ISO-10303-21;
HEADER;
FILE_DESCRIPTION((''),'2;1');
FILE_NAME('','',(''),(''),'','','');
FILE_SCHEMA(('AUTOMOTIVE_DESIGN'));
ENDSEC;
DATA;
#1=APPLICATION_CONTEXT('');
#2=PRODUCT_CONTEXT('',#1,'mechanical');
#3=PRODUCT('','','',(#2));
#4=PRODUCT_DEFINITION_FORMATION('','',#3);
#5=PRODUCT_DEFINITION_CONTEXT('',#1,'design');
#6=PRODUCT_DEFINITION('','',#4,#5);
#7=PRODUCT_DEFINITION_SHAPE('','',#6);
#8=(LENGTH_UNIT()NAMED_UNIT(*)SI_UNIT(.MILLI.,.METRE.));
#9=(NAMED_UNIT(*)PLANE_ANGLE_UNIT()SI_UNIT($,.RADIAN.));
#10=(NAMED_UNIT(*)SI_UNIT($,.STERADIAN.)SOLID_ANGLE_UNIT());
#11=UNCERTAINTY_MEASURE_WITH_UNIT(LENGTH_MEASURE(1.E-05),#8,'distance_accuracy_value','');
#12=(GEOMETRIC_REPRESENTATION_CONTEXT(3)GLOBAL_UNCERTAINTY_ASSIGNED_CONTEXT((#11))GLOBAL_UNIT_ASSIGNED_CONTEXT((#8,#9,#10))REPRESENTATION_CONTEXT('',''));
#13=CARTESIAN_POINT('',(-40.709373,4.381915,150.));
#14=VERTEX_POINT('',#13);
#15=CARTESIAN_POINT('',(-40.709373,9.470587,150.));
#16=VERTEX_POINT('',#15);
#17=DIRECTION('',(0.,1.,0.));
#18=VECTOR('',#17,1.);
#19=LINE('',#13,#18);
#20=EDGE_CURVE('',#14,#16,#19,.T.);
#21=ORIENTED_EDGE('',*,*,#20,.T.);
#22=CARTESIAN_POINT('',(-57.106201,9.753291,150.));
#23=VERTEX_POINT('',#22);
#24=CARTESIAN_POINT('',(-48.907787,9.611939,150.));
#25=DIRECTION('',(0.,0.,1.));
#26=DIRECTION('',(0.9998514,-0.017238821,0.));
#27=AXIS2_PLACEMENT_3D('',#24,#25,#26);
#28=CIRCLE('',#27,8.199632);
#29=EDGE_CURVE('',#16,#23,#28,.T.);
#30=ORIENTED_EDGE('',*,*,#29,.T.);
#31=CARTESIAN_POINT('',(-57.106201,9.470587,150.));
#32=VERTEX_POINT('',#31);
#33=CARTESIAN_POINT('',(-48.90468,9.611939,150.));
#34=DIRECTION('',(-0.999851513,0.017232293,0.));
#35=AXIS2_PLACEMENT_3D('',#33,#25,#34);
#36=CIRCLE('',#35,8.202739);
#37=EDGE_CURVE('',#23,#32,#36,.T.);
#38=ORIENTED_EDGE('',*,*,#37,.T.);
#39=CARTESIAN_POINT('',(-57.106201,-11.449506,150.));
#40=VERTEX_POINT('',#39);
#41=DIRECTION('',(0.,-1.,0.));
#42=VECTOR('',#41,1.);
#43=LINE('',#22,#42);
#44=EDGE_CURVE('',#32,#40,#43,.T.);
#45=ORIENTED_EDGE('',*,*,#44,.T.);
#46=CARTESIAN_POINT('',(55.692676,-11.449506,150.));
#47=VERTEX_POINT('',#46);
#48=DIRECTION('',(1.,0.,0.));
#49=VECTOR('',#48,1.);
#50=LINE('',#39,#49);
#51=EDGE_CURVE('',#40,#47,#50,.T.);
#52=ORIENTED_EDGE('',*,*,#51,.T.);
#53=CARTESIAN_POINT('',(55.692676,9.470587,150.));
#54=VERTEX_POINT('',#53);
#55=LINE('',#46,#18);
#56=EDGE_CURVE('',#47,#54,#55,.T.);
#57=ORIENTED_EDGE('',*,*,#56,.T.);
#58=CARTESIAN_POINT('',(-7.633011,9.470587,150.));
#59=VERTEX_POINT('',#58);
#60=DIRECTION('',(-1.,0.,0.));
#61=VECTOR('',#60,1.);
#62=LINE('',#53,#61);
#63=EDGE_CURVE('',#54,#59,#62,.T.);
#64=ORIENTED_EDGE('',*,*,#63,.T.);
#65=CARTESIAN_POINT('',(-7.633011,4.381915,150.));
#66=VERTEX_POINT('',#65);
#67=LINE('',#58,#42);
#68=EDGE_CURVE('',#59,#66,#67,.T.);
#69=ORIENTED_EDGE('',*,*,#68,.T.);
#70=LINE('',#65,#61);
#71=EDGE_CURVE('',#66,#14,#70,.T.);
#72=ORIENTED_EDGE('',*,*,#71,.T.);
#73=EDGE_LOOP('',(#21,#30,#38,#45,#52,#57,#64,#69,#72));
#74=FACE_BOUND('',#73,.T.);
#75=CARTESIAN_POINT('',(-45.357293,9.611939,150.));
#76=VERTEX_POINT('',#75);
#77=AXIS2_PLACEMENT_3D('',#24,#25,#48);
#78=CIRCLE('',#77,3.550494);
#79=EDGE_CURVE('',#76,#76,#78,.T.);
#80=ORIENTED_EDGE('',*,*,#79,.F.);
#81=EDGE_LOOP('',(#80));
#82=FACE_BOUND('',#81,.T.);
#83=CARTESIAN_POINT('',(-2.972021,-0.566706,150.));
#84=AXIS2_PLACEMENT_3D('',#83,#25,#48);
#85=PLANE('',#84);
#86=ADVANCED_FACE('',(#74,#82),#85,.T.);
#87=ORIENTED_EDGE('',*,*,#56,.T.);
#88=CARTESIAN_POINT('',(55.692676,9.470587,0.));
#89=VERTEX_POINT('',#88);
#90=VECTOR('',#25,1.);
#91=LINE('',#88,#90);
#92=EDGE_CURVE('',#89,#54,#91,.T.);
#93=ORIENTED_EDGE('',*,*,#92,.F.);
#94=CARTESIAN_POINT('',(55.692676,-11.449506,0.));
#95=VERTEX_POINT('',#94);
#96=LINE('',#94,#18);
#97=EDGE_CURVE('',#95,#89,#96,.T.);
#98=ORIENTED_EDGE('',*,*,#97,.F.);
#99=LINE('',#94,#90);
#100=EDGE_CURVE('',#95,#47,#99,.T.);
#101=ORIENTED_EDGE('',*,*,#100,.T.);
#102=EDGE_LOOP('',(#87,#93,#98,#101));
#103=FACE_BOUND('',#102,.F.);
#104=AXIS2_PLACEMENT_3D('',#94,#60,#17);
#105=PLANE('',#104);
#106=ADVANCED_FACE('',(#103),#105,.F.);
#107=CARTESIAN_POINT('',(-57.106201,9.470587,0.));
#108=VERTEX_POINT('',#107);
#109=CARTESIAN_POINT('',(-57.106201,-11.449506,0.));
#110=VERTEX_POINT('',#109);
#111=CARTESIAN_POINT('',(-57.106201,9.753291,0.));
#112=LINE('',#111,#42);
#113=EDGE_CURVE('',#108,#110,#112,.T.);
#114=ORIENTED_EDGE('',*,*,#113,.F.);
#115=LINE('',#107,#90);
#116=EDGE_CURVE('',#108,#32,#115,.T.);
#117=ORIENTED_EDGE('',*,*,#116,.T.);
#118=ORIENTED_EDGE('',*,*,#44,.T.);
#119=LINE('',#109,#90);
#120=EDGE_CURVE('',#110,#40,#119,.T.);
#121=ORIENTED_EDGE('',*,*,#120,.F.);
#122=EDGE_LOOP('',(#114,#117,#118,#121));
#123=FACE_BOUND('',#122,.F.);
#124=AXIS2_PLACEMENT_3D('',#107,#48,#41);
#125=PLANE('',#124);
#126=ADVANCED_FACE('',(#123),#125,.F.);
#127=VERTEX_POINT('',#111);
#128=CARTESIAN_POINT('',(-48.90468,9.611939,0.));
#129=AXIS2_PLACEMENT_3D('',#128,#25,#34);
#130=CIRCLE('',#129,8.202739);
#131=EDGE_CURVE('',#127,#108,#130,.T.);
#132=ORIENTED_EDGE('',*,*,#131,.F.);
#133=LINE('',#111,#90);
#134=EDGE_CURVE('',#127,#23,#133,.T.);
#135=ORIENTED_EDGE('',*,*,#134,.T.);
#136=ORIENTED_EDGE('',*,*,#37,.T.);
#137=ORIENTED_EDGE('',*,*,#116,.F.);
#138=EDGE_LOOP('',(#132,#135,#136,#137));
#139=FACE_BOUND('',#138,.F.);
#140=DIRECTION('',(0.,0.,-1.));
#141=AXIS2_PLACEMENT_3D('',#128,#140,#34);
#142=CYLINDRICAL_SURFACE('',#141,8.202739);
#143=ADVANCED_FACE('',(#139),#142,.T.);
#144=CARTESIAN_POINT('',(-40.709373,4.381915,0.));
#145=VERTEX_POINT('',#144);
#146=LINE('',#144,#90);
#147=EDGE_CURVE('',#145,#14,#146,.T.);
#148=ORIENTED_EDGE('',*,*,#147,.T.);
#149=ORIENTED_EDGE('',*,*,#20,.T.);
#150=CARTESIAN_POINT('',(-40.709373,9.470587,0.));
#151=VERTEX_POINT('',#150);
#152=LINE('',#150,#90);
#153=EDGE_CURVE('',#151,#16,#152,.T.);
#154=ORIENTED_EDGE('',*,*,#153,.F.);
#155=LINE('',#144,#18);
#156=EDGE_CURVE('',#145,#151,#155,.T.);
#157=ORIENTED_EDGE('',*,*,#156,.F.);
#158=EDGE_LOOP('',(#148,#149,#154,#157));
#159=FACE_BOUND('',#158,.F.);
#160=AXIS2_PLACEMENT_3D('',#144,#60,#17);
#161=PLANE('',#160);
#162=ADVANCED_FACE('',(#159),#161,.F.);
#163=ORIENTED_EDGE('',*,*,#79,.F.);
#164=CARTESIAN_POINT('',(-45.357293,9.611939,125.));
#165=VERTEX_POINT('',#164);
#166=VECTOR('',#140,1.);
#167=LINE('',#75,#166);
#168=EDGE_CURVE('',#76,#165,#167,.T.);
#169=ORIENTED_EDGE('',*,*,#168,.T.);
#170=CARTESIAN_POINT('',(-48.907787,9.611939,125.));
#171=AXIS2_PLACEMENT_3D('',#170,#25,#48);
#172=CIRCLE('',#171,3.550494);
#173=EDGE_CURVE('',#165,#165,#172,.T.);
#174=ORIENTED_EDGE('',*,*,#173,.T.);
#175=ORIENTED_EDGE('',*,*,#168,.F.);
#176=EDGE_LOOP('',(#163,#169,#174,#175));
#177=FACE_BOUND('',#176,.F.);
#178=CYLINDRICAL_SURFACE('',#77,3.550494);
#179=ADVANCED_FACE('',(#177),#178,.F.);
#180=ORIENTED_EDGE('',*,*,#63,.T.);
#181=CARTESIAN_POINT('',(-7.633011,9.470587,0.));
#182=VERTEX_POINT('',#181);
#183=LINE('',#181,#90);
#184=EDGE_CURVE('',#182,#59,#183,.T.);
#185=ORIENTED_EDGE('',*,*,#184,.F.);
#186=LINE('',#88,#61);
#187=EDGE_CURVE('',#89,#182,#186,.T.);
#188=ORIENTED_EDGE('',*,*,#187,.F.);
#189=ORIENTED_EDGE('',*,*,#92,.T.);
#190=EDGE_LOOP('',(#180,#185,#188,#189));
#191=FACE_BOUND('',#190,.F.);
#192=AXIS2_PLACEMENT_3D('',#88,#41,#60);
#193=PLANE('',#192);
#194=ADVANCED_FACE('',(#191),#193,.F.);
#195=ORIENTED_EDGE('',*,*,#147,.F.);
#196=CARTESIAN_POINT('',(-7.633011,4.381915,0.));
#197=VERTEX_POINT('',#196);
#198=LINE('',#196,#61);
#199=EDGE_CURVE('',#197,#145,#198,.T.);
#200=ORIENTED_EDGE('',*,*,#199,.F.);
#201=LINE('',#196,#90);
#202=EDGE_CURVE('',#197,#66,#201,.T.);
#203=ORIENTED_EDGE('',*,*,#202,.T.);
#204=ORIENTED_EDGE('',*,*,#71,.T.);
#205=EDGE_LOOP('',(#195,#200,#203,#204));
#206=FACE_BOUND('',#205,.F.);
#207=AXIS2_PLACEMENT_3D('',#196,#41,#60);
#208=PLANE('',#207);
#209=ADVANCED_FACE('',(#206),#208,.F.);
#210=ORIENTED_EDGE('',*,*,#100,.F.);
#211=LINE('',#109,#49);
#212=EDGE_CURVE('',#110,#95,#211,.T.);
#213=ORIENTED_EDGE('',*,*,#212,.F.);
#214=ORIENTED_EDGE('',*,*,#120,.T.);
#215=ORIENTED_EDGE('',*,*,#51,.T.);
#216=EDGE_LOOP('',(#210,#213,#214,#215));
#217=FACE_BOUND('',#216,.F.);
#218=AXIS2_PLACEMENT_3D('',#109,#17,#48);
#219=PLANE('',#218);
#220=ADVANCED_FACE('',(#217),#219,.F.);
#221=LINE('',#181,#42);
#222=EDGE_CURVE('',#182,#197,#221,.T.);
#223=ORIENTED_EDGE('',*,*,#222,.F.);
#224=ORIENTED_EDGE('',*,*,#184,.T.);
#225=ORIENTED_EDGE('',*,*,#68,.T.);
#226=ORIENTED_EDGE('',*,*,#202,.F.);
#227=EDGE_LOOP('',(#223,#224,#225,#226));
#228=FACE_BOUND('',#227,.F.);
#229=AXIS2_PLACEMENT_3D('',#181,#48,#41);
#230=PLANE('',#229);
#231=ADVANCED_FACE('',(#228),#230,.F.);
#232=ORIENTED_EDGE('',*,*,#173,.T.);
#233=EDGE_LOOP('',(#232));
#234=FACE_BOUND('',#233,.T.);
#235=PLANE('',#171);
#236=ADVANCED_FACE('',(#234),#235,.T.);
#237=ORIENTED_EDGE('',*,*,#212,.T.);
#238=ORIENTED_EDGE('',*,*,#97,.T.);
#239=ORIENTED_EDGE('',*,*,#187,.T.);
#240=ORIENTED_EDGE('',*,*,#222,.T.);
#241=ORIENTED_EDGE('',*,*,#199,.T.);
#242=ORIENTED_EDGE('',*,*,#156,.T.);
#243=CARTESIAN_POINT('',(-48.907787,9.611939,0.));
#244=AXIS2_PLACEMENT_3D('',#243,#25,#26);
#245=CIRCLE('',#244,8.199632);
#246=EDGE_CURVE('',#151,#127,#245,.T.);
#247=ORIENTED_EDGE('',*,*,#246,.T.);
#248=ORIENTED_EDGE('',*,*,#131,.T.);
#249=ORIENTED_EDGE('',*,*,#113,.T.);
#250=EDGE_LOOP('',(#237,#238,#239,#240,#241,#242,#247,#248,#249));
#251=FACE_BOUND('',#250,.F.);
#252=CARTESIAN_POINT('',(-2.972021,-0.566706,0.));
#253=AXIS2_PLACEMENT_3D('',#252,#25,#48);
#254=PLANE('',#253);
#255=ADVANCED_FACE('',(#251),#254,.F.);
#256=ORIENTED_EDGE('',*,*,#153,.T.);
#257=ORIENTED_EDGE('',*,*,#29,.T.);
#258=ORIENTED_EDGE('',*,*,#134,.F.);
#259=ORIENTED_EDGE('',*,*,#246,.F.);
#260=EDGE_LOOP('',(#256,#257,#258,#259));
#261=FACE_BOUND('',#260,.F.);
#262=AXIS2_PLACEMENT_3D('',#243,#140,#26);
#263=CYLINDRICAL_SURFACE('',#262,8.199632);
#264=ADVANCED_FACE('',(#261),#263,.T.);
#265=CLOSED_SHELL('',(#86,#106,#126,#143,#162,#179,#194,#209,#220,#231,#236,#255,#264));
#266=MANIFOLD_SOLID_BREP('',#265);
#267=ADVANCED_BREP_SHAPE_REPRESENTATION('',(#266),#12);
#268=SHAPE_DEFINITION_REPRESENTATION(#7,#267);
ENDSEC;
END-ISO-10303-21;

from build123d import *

# Parameters (mm, degrees)
F1_DEPTH = 150
F2_R     = 3.550494
F3_DEPTH = 25


with BuildPart() as f1:
    # F0 (on Top) → F1 (new body)
    with BuildSketch(Plane.XY):
        with BuildLine():
            ThreePointArc((-40.709373, 9.470587), (-48.766435, 17.810353), (-57.106201, 9.753291))
            Line((-57.106201, 9.753291), (-57.106201, 9.470587))
            Line((-57.106201, 9.470587), (-57.106201, -11.449506))
            Line((-57.106201, -11.449506), (55.692676, -11.449506))
            Line((55.692676, -11.449506), (55.692676, 9.470587))
            Line((55.692676, 9.470587), (-7.633011, 9.470587))
            Line((-7.633011, 9.470587), (-7.633011, 4.381915))
            Line((-7.633011, 4.381915), (-40.709373, 4.381915))
            Line((-40.709373, 4.381915), (-40.709373, 9.470587))
        make_face()
        with BuildLine():
            Line((-57.106201, 9.470587), (-57.106201, 9.753291))
            ThreePointArc((-57.106201, 9.753291), (-57.107419, 9.611939), (-57.106201, 9.470587))
        make_face()
    extrude(amount=F1_DEPTH)

    # F2 (on face) → F3 (cut)
    with BuildSketch(Plane.XY.offset(150)):
        with Locations((-48.907787, 9.611939)):
            Circle(F2_R)
    extrude(amount=-F3_DEPTH, mode=Mode.SUBTRACT)


solid = f1.part
